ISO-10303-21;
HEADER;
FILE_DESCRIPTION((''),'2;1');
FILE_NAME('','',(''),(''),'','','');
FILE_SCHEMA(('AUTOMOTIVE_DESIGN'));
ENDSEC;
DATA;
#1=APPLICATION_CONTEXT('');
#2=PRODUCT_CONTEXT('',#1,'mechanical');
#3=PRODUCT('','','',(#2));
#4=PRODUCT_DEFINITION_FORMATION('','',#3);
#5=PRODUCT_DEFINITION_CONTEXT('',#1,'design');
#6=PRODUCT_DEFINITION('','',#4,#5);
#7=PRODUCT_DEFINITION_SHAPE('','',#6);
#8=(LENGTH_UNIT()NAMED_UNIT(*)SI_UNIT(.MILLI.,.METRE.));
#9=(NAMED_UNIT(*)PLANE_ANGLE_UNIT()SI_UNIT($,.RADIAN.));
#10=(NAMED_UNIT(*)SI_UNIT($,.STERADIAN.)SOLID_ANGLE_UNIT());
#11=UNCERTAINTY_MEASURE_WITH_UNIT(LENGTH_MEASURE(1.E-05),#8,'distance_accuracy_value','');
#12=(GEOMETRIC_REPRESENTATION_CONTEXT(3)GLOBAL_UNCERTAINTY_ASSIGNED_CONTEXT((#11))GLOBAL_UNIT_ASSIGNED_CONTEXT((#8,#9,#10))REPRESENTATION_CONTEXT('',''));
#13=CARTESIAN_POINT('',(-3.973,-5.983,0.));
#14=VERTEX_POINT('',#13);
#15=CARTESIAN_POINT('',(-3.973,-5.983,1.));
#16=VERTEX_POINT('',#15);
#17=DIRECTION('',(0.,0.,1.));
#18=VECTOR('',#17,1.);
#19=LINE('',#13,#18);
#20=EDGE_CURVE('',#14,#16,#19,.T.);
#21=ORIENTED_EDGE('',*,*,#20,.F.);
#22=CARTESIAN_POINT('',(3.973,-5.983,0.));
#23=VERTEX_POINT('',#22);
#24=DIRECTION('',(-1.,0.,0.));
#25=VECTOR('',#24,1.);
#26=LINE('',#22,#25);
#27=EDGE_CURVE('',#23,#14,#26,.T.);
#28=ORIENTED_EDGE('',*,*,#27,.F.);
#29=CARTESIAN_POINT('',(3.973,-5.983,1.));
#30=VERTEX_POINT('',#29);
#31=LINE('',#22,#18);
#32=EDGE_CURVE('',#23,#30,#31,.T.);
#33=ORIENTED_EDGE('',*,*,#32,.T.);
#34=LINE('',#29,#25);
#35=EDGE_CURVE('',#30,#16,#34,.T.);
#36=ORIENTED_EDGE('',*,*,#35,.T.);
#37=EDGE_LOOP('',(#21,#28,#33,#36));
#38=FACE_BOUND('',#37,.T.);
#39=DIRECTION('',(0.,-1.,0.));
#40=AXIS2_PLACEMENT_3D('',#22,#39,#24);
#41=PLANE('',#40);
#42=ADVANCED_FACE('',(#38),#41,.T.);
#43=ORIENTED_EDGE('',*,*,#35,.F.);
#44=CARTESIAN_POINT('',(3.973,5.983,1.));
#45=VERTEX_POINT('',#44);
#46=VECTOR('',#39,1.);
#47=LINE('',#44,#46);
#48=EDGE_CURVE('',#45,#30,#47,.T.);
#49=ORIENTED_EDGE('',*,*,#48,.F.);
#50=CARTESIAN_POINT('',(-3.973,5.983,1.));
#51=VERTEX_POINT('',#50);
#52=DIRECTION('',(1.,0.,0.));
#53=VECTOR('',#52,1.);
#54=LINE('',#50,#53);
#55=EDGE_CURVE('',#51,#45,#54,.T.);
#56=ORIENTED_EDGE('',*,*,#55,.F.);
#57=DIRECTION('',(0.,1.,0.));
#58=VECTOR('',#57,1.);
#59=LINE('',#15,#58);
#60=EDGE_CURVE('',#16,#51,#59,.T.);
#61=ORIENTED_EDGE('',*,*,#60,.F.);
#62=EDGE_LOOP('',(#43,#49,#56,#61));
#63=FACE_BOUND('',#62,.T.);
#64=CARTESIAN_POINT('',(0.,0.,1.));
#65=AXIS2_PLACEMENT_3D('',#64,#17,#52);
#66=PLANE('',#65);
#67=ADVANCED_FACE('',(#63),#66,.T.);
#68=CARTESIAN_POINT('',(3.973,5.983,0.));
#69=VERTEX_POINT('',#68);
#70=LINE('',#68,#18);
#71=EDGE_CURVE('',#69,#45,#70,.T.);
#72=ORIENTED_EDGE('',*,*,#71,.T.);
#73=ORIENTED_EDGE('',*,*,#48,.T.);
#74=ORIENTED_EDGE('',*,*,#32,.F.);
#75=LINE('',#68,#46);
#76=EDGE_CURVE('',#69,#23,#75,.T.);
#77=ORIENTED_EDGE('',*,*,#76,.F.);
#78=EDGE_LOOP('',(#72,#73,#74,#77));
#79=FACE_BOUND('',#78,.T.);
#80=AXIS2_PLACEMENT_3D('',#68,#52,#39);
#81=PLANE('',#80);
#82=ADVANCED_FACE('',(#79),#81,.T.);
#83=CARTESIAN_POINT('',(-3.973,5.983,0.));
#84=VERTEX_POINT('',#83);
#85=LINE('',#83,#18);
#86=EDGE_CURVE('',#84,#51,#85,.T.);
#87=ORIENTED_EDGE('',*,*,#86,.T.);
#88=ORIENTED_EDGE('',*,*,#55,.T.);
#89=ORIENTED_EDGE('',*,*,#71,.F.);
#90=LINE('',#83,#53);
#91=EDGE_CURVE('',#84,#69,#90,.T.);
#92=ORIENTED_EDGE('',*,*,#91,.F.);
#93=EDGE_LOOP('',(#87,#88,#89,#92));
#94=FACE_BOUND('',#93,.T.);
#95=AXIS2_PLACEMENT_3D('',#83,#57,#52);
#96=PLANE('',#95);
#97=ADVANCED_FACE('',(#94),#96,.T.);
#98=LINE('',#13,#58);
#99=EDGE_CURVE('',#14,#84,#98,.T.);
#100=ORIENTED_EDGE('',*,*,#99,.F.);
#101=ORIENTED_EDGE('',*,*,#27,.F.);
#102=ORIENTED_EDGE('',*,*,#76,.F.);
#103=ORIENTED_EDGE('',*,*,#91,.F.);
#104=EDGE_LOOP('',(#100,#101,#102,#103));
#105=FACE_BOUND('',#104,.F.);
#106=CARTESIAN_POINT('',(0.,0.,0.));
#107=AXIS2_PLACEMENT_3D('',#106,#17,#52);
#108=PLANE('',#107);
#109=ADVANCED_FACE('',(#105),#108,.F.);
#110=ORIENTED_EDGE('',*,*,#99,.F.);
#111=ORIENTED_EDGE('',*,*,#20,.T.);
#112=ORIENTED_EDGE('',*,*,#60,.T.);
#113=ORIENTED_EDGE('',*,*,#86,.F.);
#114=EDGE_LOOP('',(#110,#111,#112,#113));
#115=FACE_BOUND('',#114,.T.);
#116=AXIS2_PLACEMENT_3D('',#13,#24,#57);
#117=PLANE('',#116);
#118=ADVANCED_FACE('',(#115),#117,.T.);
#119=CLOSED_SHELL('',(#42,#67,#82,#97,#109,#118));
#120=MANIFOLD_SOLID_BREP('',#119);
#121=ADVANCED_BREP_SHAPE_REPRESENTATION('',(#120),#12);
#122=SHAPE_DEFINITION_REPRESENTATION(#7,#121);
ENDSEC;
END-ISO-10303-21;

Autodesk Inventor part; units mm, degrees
ref_plane "YZ Plane" through (0, 0, 0) normal (1, 0, 0) x (0, 1, 0)
ref_plane "XZ Plane" through (0, 0, 0) normal (0, 1, 0) x (-1, 0, 0)
ref_plane "XY Plane" through (0, 0, 0) normal (0, 0, 1) x (1, 0, 0)
sketch "TO252, SPD30P06PTO252_31" plane through (0, 0, 0) normal (0, 0, 1) x (1, 0, 0)
  line L0 (-3.973, 5.983) -> (3.973, 5.983)
  line L1 (3.973, 5.983) -> (3.973, -5.983)
  line L2 (3.973, -5.983) -> (-3.973, -5.983)
  line L3 (-3.973, -5.983) -> (-3.973, 5.983)
extrude "Extrusion1" add sketch "TO252, SPD30P06PTO252_31" along normal blind 1
properties part number "SPD30P06PTO252"
